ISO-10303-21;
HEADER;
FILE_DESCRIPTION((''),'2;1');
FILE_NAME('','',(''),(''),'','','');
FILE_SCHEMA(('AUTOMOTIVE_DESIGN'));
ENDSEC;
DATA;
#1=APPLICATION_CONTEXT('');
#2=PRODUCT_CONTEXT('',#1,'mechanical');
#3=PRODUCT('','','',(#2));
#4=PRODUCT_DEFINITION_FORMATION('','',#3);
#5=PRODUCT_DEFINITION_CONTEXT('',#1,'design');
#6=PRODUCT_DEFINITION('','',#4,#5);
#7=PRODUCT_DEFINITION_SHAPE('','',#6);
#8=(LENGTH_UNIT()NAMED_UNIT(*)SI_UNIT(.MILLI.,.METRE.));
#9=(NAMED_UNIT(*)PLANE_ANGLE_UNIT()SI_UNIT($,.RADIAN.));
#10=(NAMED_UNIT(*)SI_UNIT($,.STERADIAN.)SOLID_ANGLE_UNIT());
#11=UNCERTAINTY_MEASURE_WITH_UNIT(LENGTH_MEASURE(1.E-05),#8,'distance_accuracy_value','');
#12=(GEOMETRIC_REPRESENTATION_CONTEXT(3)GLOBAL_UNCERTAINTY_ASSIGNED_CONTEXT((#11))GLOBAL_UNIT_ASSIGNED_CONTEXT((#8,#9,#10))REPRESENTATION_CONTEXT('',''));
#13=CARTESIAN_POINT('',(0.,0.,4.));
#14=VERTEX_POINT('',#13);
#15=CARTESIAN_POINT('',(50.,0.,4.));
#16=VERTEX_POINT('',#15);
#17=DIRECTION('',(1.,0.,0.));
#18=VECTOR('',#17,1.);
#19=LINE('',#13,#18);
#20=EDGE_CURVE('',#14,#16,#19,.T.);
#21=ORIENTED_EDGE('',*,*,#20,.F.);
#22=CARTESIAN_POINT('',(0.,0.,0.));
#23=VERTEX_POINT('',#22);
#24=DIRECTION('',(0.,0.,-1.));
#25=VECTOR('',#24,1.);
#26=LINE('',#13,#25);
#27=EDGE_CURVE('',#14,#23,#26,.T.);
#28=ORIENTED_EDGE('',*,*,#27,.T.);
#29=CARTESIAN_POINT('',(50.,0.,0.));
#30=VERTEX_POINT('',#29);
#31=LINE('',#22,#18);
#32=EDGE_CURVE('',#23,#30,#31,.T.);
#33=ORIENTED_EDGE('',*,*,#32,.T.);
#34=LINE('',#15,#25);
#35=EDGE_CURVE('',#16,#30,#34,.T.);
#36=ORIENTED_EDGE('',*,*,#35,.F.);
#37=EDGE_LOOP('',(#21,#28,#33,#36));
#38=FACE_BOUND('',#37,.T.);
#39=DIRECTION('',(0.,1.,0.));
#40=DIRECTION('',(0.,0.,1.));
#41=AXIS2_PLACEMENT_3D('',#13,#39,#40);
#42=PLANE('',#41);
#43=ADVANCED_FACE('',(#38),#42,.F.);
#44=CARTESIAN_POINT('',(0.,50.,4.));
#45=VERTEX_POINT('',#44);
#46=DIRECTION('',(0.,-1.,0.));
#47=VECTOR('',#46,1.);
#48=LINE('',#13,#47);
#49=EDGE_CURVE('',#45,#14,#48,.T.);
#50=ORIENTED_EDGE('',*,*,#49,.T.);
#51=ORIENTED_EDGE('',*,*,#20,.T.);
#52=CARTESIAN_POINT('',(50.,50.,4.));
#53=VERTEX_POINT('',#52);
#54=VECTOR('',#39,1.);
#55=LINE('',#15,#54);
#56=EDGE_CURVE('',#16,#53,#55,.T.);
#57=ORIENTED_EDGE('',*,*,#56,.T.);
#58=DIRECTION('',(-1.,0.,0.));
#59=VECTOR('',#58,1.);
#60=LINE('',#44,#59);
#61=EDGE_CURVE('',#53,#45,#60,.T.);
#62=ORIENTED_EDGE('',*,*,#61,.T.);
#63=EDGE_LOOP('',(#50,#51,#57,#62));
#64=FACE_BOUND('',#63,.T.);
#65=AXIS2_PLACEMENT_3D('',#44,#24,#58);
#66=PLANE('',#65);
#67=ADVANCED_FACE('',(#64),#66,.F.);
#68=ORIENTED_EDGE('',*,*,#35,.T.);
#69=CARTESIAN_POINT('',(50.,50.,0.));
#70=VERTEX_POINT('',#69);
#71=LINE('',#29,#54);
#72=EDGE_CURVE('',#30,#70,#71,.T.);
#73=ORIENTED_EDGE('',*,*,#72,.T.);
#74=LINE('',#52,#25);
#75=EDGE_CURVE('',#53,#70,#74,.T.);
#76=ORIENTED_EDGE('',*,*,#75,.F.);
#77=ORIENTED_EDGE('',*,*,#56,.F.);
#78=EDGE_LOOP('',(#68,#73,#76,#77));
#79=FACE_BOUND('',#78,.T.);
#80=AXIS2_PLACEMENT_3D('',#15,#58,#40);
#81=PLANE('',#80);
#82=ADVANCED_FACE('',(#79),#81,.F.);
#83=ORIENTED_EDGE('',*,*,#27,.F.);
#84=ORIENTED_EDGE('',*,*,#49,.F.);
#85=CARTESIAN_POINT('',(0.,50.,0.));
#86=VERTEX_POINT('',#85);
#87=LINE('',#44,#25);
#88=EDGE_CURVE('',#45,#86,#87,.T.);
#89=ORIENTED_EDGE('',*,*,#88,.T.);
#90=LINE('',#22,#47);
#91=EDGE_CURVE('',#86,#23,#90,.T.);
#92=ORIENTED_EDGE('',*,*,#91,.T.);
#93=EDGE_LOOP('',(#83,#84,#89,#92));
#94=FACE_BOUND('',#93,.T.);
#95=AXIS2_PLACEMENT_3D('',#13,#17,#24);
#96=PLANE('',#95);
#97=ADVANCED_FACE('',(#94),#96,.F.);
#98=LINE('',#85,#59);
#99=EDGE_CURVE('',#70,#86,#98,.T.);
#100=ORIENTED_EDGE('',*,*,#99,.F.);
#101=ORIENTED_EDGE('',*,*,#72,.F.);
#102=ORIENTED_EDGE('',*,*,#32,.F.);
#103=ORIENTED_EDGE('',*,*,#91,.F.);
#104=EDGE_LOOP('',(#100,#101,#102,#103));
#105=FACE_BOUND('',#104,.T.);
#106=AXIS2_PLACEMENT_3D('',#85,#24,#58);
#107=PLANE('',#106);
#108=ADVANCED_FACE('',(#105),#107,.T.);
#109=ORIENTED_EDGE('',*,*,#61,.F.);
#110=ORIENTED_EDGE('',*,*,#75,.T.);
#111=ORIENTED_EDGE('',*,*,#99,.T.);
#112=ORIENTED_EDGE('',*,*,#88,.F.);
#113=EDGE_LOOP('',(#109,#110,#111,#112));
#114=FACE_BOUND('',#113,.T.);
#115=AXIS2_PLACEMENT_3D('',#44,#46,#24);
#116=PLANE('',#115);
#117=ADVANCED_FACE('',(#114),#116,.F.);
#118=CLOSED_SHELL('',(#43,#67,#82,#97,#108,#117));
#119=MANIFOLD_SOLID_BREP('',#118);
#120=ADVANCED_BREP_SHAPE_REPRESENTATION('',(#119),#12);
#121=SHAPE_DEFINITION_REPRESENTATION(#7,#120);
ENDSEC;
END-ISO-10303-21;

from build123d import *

# Parameters (mm, degrees)
SKETCH1_W           = 50
SKETCH1_H           = 50
BOSS_EXTRUDE1_DEPTH = 4


with BuildPart() as part:
    # Sketch1 → Boss-Extrude1 (new body)
    with BuildSketch(Plane.XY):
        with Locations((25, 25)):
            Rectangle(SKETCH1_W, SKETCH1_H)
    extrude(amount=BOSS_EXTRUDE1_DEPTH)


solid = part.part
